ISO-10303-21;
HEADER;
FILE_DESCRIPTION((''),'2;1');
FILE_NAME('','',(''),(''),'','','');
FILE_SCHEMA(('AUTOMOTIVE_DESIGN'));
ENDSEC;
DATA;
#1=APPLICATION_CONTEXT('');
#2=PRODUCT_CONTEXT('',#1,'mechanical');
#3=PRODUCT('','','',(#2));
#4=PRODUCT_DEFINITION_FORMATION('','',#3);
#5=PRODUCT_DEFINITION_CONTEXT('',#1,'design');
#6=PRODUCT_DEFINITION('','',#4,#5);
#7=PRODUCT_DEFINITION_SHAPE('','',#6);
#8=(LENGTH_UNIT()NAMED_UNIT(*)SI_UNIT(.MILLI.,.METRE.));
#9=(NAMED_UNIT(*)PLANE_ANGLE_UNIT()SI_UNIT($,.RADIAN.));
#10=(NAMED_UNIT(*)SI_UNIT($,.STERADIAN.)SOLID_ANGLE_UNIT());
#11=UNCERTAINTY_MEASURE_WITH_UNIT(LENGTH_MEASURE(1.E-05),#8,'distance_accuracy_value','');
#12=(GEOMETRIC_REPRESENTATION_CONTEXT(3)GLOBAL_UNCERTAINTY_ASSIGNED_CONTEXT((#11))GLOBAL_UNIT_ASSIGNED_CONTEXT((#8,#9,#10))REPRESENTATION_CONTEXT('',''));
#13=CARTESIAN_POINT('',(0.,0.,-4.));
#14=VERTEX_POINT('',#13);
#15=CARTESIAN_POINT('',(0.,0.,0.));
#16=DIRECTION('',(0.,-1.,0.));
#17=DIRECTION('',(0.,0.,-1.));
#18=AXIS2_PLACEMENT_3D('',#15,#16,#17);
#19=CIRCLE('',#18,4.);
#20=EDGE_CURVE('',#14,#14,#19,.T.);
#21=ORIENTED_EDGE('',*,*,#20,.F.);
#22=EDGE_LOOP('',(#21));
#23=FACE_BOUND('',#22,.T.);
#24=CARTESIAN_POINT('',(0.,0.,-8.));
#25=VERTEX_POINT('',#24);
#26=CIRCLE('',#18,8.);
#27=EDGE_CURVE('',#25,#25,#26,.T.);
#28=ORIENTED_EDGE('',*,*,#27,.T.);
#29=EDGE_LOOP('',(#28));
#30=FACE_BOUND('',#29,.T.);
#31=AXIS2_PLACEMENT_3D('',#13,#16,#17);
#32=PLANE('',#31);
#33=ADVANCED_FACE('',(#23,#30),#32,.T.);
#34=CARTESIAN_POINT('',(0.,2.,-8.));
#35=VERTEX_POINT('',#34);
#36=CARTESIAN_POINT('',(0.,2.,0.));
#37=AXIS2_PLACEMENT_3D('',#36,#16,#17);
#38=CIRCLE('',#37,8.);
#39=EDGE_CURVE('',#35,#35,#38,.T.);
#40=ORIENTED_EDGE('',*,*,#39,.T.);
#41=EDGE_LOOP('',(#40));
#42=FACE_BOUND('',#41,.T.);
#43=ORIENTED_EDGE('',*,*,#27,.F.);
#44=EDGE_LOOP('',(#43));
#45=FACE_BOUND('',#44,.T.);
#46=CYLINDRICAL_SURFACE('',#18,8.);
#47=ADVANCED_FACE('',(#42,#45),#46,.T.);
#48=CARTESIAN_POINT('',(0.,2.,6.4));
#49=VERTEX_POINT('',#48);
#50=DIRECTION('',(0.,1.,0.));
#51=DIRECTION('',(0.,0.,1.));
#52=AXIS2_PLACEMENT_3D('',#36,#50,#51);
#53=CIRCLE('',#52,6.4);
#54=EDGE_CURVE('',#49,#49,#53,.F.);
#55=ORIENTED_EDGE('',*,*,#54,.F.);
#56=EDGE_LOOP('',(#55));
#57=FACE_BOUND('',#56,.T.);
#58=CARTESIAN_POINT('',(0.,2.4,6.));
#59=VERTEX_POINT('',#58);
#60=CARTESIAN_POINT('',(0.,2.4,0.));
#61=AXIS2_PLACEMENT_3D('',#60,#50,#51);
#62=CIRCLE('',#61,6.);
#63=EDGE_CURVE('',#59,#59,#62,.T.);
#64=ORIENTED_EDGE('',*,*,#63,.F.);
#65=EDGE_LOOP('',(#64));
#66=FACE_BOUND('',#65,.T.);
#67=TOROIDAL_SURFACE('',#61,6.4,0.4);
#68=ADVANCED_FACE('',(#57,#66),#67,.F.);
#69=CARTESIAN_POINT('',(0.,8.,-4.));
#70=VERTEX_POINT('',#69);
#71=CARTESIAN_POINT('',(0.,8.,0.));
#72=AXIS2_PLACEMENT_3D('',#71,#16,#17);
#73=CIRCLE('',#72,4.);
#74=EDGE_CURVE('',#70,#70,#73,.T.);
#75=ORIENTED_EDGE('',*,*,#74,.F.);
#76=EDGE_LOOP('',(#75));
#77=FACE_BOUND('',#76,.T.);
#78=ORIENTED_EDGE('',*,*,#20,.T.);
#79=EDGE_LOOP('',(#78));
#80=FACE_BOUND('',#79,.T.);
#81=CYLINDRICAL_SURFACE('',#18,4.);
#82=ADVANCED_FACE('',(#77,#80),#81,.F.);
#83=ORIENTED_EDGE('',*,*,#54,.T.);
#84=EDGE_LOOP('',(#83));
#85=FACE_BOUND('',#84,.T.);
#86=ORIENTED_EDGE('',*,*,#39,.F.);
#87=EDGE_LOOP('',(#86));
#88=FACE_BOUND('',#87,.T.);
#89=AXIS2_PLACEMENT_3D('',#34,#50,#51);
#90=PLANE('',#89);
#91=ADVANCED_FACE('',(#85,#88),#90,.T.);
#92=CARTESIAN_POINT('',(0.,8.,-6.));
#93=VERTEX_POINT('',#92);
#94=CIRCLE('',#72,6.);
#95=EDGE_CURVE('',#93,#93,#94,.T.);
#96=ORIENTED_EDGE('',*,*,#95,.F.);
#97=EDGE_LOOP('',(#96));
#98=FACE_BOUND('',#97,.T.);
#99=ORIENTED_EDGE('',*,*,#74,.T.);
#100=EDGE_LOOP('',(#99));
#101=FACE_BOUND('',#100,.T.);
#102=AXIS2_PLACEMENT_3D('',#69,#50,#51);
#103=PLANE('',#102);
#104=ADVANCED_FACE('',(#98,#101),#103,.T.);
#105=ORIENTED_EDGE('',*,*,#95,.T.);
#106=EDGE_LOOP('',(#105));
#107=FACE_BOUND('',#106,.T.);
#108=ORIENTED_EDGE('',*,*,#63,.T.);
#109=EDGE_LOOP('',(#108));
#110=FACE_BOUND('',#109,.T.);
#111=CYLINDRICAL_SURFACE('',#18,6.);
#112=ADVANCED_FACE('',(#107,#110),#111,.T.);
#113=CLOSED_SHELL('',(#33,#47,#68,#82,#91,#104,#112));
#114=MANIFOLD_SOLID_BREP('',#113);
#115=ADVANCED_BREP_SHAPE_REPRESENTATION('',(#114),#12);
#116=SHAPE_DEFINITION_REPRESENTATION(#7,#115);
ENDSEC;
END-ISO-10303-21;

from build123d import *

# Parameters (mm, degrees)
FILLET1_R = 0.4


with BuildPart() as part:
    # Sketch1 → Revolve1 (revolve)
    with BuildSketch(Plane(origin=(0, 0, 0), x_dir=(0, 0, -1), z_dir=(1, 0, 0))):
        Polygon((4, 8), (4, 0), (8, 0), (8, 2), (6, 2), (6, 8), align=None)
    revolve(axis=Axis((0, 0, 0), (0, 1, 0)))

    # Fillet1
    fillet1_edges = [part.edges().sort_by_distance(p)[0] for p in [
        (0, 2, 6),
    ]]
    fillet(fillet1_edges, radius=FILLET1_R)


solid = part.part
